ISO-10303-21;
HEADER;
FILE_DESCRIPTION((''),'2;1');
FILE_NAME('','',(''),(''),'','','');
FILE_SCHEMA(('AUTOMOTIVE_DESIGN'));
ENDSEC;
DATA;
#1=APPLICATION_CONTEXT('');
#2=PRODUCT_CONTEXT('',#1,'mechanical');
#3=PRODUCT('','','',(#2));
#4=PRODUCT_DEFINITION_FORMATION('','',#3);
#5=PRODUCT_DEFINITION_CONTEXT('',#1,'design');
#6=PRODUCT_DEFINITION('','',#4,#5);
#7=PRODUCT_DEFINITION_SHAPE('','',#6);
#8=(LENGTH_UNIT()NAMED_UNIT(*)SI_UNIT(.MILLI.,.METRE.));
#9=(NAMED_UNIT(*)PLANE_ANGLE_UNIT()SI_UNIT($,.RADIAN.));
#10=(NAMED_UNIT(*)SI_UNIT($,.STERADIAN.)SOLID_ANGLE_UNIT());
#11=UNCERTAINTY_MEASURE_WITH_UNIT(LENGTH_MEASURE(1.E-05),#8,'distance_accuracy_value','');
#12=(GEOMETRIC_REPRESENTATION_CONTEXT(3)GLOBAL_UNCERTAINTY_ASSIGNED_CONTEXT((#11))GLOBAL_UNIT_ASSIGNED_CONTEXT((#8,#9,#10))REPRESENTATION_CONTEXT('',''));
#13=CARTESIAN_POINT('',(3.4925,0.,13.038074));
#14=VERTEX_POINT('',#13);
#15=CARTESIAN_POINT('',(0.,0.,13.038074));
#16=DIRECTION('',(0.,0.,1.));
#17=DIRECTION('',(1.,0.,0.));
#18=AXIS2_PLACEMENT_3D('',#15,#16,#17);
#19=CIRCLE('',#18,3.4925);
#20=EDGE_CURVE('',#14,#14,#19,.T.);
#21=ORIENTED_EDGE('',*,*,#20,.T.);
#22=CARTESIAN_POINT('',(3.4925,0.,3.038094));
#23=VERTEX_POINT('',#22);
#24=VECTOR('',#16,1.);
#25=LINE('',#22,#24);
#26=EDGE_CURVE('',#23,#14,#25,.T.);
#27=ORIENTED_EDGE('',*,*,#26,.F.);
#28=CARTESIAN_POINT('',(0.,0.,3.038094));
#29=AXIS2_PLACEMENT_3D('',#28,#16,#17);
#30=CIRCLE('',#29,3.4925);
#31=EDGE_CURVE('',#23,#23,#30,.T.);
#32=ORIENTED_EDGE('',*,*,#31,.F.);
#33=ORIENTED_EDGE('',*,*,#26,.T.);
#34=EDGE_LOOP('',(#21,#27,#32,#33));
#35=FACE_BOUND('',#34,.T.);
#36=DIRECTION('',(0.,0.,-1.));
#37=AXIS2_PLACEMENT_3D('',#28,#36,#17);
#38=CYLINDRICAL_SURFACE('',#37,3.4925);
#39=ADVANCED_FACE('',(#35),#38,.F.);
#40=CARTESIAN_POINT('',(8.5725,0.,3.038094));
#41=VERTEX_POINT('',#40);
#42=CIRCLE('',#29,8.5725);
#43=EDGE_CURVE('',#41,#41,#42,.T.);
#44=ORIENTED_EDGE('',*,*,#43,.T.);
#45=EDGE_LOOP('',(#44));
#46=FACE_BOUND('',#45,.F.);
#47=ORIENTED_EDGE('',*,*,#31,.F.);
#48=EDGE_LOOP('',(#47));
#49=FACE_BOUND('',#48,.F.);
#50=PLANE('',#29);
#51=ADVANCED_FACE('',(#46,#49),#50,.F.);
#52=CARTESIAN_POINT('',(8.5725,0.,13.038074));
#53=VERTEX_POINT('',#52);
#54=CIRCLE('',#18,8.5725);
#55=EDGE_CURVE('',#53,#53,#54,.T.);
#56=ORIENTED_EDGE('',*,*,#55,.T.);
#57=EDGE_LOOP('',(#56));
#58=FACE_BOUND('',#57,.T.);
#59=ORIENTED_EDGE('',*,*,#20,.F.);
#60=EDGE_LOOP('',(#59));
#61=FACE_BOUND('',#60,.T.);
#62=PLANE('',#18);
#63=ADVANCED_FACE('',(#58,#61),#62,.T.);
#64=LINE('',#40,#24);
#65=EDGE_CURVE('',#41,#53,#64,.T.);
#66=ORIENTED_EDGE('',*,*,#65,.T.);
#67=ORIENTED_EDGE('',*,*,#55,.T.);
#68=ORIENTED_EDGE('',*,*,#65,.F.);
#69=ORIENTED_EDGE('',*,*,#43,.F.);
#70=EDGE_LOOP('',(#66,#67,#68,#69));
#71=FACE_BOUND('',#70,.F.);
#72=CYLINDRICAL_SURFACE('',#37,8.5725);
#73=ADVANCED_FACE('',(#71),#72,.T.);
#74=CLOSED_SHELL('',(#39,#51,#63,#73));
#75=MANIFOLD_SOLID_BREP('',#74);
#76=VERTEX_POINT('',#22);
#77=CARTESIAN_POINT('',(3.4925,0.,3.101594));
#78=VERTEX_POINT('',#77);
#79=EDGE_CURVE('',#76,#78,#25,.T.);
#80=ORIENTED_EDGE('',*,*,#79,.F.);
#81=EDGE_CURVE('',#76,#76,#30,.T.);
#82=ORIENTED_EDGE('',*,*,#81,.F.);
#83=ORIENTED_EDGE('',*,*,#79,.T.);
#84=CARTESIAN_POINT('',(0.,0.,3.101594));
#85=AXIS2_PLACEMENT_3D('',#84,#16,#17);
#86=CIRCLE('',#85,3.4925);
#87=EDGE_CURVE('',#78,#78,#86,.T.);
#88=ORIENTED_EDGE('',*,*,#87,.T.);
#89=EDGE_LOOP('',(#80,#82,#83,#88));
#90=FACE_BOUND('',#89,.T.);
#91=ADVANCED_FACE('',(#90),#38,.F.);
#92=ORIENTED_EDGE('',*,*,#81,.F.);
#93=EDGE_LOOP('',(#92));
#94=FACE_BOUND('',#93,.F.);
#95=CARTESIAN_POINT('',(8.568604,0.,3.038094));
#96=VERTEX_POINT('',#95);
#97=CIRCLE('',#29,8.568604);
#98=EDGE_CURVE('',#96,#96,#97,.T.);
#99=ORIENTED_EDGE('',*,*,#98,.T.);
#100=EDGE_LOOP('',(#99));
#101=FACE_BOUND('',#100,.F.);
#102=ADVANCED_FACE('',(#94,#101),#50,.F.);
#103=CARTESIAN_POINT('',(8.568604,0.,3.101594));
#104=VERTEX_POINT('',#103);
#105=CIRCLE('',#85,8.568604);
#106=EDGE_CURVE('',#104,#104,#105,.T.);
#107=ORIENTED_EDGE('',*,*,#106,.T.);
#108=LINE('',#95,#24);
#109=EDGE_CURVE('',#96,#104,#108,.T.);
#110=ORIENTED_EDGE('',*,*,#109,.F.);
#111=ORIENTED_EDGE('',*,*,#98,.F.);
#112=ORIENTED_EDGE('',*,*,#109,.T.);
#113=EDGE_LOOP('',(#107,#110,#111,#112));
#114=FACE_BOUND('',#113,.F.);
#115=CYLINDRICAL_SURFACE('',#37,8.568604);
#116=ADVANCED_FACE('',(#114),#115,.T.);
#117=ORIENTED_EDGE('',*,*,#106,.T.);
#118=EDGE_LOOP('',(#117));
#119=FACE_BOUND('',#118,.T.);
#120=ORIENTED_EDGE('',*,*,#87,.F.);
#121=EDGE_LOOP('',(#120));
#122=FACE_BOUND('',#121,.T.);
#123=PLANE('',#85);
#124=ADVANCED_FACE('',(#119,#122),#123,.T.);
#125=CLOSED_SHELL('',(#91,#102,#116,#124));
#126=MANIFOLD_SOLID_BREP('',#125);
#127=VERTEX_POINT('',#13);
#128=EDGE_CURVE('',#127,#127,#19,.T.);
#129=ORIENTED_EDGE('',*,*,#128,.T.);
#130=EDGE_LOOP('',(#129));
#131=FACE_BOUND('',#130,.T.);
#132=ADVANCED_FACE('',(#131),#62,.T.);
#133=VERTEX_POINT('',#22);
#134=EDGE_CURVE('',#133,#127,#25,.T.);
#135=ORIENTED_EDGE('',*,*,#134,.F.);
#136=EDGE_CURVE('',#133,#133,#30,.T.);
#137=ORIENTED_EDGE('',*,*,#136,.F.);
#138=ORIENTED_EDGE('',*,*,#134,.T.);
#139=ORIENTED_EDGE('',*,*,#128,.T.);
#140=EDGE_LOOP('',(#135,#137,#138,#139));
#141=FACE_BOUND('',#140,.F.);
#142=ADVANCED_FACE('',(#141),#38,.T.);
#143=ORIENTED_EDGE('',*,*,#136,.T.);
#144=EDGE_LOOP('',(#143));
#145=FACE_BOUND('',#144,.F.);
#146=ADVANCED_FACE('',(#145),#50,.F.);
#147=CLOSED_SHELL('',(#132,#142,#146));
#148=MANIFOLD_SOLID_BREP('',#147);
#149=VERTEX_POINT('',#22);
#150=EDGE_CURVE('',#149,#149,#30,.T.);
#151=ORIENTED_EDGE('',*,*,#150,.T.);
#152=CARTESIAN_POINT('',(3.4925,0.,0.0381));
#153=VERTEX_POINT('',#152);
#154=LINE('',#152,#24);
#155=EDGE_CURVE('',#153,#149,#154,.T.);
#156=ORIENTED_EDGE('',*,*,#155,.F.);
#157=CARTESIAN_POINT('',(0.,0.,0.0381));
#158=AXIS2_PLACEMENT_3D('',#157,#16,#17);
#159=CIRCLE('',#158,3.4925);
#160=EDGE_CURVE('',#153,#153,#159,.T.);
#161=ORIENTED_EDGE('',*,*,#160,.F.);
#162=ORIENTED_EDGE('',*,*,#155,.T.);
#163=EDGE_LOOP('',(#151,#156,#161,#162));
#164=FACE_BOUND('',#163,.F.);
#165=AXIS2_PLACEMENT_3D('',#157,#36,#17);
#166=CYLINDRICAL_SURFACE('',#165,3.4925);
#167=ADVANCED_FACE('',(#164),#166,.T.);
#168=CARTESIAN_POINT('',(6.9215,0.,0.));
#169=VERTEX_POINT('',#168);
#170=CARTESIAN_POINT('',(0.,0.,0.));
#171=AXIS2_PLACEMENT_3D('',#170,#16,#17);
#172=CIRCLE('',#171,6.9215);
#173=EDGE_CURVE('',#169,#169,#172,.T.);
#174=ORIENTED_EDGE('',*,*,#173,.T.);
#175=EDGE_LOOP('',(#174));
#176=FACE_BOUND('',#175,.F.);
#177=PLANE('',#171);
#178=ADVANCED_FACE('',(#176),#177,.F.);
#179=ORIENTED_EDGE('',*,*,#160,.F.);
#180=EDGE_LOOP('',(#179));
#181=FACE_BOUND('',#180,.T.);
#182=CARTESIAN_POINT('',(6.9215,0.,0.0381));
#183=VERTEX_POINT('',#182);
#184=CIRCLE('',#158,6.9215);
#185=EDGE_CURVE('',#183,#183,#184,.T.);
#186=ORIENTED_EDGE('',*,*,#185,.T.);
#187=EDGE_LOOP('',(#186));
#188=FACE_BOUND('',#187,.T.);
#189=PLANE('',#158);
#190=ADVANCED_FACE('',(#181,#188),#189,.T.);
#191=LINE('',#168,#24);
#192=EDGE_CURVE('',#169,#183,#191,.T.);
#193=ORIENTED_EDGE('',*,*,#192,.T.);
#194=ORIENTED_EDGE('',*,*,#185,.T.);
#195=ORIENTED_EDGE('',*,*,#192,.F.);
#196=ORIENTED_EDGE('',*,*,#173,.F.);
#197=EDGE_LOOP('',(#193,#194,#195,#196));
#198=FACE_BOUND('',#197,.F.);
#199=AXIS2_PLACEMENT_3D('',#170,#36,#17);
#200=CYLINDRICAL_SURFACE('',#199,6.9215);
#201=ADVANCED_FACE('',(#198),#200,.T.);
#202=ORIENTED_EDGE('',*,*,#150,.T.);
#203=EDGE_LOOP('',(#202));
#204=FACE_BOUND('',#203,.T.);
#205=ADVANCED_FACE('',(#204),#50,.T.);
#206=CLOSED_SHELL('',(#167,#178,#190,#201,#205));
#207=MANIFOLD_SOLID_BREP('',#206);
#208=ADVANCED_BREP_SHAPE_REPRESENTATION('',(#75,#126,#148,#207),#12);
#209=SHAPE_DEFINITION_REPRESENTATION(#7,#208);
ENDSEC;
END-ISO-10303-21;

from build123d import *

# Parameters (mm, degrees)
F0_R     = 6.9215
F1_DEPTH = 0.0381
F2_R     = 3.4925
F3_DEPTH = 2.999994
F4_R     = 8.5725
F4_R_2   = 3.4925
F5_DEPTH = 9.99998
F7_R     = 8.5686035001
F7_R_2   = 3.4925
F8_DEPTH = 0.0635
F6_R     = 3.4925
F9_DEPTH = 9.99998


with BuildPart() as f1:
    # F0 (on Top) → F1 (new body)
    with BuildSketch(Plane.XY):
        Circle(F0_R)
    extrude(amount=F1_DEPTH)

    # F2 (on face) → F3 (join)
    with BuildSketch(Plane.XY.offset(0.0381)):
        Circle(F2_R)
    extrude(amount=F3_DEPTH)


with BuildPart() as f5:
    # F4 (on face) → F5 (new body)
    with BuildSketch(Plane.XY.offset(3.038094)):
        Circle(F4_R)
        Circle(F4_R_2, mode=Mode.SUBTRACT)
    extrude(amount=F5_DEPTH)


with BuildPart() as f8:
    # F7 (on face) → F8 (new body)
    with BuildSketch(Plane.XY.offset(3.038094)):
        Circle(F7_R)
        Circle(F7_R_2, mode=Mode.SUBTRACT)
    extrude(amount=F8_DEPTH)


with BuildPart() as f9:
    # F6 (on face) → F9 (new body)
    with BuildSketch(Plane.XY.offset(3.038094)):
        Circle(F6_R)
    extrude(amount=F9_DEPTH)


solid = Compound([f1.part, f5.part, f8.part, f9.part])
